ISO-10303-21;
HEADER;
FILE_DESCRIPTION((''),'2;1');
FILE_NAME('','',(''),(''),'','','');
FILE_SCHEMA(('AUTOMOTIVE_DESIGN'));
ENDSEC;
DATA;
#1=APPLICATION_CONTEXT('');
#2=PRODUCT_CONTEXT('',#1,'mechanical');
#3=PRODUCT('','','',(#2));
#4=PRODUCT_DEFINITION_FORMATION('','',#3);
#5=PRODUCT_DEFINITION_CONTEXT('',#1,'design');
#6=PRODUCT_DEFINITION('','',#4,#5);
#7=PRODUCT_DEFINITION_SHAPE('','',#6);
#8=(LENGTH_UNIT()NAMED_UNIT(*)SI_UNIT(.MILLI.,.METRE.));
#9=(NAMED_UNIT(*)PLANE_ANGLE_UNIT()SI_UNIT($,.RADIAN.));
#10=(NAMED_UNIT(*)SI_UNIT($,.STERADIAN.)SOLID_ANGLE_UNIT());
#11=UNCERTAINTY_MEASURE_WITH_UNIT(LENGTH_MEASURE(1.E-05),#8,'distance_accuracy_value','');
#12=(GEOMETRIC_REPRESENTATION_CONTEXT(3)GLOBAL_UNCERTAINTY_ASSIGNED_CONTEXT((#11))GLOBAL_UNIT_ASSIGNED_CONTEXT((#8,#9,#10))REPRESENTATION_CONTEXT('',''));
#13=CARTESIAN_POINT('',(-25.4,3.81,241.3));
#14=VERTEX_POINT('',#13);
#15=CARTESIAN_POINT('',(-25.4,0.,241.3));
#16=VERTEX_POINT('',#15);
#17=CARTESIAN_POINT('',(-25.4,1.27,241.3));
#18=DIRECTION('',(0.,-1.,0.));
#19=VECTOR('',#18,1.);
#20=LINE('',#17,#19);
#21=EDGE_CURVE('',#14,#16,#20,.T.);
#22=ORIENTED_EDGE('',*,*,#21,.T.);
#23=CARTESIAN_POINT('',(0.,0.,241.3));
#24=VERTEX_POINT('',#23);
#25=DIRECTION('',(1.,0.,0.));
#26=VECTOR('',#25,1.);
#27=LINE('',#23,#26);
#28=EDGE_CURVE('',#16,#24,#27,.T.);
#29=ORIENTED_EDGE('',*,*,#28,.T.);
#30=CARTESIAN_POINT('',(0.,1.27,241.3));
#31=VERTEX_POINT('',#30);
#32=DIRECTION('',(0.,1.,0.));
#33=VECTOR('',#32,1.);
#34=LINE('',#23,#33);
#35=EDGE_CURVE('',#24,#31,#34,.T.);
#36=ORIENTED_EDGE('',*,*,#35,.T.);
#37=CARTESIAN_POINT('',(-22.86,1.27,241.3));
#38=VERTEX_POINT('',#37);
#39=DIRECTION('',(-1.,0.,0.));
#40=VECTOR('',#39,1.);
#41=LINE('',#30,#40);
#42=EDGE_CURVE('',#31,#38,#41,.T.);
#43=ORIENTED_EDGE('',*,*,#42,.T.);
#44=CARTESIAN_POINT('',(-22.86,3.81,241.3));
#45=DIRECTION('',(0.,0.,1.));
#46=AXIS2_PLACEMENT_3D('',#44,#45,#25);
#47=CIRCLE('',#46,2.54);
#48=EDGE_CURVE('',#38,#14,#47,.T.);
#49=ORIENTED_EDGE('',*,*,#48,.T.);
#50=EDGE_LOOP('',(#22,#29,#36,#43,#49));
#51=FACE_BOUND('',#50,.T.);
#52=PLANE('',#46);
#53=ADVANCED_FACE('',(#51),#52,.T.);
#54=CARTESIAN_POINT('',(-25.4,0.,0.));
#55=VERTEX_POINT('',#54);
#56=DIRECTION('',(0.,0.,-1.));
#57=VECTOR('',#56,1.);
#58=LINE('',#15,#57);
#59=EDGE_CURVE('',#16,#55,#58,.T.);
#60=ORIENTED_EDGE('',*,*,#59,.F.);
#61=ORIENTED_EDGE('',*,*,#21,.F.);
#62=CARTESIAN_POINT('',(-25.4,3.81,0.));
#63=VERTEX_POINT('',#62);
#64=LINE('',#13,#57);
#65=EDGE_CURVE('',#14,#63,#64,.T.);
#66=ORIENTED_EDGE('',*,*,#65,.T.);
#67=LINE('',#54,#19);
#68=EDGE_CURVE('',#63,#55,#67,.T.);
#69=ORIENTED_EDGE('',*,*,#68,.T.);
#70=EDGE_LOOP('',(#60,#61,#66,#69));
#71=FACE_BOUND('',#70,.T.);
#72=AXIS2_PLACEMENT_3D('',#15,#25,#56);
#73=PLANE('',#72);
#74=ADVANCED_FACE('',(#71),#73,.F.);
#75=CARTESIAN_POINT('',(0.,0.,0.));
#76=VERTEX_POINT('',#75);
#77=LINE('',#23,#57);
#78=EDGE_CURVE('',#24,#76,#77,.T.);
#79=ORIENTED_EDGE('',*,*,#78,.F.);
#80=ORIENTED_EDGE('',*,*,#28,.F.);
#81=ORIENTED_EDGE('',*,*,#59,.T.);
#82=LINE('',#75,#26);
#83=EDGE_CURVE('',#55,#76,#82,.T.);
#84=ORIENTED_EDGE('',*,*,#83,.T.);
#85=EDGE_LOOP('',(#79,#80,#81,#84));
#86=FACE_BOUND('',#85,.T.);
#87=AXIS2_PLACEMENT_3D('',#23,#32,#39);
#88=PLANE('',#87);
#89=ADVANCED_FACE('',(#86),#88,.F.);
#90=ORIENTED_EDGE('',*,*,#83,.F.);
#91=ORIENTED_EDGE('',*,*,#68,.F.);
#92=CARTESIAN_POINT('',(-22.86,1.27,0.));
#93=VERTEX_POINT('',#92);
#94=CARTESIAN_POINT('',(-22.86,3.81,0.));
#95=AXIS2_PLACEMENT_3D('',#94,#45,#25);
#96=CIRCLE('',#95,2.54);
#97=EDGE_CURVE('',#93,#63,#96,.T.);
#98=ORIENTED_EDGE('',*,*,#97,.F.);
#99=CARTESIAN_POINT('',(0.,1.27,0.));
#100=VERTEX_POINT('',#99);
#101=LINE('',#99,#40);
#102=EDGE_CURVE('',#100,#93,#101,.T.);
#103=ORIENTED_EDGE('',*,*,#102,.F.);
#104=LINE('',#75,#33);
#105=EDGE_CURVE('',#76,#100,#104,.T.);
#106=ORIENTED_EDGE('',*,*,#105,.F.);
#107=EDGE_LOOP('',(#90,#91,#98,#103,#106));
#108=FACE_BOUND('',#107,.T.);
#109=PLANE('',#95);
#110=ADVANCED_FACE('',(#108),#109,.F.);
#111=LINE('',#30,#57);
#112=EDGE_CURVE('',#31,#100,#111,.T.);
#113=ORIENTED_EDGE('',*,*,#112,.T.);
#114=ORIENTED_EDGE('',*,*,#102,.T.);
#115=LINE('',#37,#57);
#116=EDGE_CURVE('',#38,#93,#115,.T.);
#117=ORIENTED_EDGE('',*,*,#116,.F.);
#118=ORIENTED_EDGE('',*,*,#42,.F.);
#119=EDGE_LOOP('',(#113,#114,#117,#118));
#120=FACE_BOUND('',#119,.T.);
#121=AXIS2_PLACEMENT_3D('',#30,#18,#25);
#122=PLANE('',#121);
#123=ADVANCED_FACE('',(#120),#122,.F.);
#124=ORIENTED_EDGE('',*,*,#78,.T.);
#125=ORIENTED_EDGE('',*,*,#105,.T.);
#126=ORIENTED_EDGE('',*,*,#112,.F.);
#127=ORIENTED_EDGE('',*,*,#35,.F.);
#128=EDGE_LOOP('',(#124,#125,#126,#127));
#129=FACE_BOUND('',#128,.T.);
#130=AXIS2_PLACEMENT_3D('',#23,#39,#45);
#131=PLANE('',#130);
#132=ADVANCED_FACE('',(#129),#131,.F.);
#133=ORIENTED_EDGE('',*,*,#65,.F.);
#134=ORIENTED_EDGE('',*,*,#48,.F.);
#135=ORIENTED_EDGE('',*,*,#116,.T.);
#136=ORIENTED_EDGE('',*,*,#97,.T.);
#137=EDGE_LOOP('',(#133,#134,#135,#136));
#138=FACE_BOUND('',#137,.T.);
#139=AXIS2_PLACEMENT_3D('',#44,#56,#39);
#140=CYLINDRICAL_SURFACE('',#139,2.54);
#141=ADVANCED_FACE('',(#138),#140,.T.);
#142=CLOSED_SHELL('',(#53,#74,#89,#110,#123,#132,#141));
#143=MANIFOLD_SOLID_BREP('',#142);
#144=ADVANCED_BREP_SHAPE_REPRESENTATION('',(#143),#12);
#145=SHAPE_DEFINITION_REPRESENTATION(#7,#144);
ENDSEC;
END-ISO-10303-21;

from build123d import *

# Parameters (mm, degrees)
BOSS_EXTRUDE2_DEPTH = 241.3


with BuildPart() as part:
    # Sketch1 → Boss-Extrude2 (new body)
    with BuildSketch(Plane.XY):
        with BuildLine():
            Line((-25.4, 1.27), (-25.4, 3.81))
            ThreePointArc((-25.4, 3.81), (-21.063948776, 5.606051224), (-22.86, 1.27))
            Line((-22.86, 1.27), (0, 1.27))
            Line((0, 1.27), (0, 0))
            Line((0, 0), (-25.4, 0))
            Line((-25.4, 0), (-25.4, 1.27))
        make_face()
    extrude(amount=BOSS_EXTRUDE2_DEPTH)


solid = part.part
